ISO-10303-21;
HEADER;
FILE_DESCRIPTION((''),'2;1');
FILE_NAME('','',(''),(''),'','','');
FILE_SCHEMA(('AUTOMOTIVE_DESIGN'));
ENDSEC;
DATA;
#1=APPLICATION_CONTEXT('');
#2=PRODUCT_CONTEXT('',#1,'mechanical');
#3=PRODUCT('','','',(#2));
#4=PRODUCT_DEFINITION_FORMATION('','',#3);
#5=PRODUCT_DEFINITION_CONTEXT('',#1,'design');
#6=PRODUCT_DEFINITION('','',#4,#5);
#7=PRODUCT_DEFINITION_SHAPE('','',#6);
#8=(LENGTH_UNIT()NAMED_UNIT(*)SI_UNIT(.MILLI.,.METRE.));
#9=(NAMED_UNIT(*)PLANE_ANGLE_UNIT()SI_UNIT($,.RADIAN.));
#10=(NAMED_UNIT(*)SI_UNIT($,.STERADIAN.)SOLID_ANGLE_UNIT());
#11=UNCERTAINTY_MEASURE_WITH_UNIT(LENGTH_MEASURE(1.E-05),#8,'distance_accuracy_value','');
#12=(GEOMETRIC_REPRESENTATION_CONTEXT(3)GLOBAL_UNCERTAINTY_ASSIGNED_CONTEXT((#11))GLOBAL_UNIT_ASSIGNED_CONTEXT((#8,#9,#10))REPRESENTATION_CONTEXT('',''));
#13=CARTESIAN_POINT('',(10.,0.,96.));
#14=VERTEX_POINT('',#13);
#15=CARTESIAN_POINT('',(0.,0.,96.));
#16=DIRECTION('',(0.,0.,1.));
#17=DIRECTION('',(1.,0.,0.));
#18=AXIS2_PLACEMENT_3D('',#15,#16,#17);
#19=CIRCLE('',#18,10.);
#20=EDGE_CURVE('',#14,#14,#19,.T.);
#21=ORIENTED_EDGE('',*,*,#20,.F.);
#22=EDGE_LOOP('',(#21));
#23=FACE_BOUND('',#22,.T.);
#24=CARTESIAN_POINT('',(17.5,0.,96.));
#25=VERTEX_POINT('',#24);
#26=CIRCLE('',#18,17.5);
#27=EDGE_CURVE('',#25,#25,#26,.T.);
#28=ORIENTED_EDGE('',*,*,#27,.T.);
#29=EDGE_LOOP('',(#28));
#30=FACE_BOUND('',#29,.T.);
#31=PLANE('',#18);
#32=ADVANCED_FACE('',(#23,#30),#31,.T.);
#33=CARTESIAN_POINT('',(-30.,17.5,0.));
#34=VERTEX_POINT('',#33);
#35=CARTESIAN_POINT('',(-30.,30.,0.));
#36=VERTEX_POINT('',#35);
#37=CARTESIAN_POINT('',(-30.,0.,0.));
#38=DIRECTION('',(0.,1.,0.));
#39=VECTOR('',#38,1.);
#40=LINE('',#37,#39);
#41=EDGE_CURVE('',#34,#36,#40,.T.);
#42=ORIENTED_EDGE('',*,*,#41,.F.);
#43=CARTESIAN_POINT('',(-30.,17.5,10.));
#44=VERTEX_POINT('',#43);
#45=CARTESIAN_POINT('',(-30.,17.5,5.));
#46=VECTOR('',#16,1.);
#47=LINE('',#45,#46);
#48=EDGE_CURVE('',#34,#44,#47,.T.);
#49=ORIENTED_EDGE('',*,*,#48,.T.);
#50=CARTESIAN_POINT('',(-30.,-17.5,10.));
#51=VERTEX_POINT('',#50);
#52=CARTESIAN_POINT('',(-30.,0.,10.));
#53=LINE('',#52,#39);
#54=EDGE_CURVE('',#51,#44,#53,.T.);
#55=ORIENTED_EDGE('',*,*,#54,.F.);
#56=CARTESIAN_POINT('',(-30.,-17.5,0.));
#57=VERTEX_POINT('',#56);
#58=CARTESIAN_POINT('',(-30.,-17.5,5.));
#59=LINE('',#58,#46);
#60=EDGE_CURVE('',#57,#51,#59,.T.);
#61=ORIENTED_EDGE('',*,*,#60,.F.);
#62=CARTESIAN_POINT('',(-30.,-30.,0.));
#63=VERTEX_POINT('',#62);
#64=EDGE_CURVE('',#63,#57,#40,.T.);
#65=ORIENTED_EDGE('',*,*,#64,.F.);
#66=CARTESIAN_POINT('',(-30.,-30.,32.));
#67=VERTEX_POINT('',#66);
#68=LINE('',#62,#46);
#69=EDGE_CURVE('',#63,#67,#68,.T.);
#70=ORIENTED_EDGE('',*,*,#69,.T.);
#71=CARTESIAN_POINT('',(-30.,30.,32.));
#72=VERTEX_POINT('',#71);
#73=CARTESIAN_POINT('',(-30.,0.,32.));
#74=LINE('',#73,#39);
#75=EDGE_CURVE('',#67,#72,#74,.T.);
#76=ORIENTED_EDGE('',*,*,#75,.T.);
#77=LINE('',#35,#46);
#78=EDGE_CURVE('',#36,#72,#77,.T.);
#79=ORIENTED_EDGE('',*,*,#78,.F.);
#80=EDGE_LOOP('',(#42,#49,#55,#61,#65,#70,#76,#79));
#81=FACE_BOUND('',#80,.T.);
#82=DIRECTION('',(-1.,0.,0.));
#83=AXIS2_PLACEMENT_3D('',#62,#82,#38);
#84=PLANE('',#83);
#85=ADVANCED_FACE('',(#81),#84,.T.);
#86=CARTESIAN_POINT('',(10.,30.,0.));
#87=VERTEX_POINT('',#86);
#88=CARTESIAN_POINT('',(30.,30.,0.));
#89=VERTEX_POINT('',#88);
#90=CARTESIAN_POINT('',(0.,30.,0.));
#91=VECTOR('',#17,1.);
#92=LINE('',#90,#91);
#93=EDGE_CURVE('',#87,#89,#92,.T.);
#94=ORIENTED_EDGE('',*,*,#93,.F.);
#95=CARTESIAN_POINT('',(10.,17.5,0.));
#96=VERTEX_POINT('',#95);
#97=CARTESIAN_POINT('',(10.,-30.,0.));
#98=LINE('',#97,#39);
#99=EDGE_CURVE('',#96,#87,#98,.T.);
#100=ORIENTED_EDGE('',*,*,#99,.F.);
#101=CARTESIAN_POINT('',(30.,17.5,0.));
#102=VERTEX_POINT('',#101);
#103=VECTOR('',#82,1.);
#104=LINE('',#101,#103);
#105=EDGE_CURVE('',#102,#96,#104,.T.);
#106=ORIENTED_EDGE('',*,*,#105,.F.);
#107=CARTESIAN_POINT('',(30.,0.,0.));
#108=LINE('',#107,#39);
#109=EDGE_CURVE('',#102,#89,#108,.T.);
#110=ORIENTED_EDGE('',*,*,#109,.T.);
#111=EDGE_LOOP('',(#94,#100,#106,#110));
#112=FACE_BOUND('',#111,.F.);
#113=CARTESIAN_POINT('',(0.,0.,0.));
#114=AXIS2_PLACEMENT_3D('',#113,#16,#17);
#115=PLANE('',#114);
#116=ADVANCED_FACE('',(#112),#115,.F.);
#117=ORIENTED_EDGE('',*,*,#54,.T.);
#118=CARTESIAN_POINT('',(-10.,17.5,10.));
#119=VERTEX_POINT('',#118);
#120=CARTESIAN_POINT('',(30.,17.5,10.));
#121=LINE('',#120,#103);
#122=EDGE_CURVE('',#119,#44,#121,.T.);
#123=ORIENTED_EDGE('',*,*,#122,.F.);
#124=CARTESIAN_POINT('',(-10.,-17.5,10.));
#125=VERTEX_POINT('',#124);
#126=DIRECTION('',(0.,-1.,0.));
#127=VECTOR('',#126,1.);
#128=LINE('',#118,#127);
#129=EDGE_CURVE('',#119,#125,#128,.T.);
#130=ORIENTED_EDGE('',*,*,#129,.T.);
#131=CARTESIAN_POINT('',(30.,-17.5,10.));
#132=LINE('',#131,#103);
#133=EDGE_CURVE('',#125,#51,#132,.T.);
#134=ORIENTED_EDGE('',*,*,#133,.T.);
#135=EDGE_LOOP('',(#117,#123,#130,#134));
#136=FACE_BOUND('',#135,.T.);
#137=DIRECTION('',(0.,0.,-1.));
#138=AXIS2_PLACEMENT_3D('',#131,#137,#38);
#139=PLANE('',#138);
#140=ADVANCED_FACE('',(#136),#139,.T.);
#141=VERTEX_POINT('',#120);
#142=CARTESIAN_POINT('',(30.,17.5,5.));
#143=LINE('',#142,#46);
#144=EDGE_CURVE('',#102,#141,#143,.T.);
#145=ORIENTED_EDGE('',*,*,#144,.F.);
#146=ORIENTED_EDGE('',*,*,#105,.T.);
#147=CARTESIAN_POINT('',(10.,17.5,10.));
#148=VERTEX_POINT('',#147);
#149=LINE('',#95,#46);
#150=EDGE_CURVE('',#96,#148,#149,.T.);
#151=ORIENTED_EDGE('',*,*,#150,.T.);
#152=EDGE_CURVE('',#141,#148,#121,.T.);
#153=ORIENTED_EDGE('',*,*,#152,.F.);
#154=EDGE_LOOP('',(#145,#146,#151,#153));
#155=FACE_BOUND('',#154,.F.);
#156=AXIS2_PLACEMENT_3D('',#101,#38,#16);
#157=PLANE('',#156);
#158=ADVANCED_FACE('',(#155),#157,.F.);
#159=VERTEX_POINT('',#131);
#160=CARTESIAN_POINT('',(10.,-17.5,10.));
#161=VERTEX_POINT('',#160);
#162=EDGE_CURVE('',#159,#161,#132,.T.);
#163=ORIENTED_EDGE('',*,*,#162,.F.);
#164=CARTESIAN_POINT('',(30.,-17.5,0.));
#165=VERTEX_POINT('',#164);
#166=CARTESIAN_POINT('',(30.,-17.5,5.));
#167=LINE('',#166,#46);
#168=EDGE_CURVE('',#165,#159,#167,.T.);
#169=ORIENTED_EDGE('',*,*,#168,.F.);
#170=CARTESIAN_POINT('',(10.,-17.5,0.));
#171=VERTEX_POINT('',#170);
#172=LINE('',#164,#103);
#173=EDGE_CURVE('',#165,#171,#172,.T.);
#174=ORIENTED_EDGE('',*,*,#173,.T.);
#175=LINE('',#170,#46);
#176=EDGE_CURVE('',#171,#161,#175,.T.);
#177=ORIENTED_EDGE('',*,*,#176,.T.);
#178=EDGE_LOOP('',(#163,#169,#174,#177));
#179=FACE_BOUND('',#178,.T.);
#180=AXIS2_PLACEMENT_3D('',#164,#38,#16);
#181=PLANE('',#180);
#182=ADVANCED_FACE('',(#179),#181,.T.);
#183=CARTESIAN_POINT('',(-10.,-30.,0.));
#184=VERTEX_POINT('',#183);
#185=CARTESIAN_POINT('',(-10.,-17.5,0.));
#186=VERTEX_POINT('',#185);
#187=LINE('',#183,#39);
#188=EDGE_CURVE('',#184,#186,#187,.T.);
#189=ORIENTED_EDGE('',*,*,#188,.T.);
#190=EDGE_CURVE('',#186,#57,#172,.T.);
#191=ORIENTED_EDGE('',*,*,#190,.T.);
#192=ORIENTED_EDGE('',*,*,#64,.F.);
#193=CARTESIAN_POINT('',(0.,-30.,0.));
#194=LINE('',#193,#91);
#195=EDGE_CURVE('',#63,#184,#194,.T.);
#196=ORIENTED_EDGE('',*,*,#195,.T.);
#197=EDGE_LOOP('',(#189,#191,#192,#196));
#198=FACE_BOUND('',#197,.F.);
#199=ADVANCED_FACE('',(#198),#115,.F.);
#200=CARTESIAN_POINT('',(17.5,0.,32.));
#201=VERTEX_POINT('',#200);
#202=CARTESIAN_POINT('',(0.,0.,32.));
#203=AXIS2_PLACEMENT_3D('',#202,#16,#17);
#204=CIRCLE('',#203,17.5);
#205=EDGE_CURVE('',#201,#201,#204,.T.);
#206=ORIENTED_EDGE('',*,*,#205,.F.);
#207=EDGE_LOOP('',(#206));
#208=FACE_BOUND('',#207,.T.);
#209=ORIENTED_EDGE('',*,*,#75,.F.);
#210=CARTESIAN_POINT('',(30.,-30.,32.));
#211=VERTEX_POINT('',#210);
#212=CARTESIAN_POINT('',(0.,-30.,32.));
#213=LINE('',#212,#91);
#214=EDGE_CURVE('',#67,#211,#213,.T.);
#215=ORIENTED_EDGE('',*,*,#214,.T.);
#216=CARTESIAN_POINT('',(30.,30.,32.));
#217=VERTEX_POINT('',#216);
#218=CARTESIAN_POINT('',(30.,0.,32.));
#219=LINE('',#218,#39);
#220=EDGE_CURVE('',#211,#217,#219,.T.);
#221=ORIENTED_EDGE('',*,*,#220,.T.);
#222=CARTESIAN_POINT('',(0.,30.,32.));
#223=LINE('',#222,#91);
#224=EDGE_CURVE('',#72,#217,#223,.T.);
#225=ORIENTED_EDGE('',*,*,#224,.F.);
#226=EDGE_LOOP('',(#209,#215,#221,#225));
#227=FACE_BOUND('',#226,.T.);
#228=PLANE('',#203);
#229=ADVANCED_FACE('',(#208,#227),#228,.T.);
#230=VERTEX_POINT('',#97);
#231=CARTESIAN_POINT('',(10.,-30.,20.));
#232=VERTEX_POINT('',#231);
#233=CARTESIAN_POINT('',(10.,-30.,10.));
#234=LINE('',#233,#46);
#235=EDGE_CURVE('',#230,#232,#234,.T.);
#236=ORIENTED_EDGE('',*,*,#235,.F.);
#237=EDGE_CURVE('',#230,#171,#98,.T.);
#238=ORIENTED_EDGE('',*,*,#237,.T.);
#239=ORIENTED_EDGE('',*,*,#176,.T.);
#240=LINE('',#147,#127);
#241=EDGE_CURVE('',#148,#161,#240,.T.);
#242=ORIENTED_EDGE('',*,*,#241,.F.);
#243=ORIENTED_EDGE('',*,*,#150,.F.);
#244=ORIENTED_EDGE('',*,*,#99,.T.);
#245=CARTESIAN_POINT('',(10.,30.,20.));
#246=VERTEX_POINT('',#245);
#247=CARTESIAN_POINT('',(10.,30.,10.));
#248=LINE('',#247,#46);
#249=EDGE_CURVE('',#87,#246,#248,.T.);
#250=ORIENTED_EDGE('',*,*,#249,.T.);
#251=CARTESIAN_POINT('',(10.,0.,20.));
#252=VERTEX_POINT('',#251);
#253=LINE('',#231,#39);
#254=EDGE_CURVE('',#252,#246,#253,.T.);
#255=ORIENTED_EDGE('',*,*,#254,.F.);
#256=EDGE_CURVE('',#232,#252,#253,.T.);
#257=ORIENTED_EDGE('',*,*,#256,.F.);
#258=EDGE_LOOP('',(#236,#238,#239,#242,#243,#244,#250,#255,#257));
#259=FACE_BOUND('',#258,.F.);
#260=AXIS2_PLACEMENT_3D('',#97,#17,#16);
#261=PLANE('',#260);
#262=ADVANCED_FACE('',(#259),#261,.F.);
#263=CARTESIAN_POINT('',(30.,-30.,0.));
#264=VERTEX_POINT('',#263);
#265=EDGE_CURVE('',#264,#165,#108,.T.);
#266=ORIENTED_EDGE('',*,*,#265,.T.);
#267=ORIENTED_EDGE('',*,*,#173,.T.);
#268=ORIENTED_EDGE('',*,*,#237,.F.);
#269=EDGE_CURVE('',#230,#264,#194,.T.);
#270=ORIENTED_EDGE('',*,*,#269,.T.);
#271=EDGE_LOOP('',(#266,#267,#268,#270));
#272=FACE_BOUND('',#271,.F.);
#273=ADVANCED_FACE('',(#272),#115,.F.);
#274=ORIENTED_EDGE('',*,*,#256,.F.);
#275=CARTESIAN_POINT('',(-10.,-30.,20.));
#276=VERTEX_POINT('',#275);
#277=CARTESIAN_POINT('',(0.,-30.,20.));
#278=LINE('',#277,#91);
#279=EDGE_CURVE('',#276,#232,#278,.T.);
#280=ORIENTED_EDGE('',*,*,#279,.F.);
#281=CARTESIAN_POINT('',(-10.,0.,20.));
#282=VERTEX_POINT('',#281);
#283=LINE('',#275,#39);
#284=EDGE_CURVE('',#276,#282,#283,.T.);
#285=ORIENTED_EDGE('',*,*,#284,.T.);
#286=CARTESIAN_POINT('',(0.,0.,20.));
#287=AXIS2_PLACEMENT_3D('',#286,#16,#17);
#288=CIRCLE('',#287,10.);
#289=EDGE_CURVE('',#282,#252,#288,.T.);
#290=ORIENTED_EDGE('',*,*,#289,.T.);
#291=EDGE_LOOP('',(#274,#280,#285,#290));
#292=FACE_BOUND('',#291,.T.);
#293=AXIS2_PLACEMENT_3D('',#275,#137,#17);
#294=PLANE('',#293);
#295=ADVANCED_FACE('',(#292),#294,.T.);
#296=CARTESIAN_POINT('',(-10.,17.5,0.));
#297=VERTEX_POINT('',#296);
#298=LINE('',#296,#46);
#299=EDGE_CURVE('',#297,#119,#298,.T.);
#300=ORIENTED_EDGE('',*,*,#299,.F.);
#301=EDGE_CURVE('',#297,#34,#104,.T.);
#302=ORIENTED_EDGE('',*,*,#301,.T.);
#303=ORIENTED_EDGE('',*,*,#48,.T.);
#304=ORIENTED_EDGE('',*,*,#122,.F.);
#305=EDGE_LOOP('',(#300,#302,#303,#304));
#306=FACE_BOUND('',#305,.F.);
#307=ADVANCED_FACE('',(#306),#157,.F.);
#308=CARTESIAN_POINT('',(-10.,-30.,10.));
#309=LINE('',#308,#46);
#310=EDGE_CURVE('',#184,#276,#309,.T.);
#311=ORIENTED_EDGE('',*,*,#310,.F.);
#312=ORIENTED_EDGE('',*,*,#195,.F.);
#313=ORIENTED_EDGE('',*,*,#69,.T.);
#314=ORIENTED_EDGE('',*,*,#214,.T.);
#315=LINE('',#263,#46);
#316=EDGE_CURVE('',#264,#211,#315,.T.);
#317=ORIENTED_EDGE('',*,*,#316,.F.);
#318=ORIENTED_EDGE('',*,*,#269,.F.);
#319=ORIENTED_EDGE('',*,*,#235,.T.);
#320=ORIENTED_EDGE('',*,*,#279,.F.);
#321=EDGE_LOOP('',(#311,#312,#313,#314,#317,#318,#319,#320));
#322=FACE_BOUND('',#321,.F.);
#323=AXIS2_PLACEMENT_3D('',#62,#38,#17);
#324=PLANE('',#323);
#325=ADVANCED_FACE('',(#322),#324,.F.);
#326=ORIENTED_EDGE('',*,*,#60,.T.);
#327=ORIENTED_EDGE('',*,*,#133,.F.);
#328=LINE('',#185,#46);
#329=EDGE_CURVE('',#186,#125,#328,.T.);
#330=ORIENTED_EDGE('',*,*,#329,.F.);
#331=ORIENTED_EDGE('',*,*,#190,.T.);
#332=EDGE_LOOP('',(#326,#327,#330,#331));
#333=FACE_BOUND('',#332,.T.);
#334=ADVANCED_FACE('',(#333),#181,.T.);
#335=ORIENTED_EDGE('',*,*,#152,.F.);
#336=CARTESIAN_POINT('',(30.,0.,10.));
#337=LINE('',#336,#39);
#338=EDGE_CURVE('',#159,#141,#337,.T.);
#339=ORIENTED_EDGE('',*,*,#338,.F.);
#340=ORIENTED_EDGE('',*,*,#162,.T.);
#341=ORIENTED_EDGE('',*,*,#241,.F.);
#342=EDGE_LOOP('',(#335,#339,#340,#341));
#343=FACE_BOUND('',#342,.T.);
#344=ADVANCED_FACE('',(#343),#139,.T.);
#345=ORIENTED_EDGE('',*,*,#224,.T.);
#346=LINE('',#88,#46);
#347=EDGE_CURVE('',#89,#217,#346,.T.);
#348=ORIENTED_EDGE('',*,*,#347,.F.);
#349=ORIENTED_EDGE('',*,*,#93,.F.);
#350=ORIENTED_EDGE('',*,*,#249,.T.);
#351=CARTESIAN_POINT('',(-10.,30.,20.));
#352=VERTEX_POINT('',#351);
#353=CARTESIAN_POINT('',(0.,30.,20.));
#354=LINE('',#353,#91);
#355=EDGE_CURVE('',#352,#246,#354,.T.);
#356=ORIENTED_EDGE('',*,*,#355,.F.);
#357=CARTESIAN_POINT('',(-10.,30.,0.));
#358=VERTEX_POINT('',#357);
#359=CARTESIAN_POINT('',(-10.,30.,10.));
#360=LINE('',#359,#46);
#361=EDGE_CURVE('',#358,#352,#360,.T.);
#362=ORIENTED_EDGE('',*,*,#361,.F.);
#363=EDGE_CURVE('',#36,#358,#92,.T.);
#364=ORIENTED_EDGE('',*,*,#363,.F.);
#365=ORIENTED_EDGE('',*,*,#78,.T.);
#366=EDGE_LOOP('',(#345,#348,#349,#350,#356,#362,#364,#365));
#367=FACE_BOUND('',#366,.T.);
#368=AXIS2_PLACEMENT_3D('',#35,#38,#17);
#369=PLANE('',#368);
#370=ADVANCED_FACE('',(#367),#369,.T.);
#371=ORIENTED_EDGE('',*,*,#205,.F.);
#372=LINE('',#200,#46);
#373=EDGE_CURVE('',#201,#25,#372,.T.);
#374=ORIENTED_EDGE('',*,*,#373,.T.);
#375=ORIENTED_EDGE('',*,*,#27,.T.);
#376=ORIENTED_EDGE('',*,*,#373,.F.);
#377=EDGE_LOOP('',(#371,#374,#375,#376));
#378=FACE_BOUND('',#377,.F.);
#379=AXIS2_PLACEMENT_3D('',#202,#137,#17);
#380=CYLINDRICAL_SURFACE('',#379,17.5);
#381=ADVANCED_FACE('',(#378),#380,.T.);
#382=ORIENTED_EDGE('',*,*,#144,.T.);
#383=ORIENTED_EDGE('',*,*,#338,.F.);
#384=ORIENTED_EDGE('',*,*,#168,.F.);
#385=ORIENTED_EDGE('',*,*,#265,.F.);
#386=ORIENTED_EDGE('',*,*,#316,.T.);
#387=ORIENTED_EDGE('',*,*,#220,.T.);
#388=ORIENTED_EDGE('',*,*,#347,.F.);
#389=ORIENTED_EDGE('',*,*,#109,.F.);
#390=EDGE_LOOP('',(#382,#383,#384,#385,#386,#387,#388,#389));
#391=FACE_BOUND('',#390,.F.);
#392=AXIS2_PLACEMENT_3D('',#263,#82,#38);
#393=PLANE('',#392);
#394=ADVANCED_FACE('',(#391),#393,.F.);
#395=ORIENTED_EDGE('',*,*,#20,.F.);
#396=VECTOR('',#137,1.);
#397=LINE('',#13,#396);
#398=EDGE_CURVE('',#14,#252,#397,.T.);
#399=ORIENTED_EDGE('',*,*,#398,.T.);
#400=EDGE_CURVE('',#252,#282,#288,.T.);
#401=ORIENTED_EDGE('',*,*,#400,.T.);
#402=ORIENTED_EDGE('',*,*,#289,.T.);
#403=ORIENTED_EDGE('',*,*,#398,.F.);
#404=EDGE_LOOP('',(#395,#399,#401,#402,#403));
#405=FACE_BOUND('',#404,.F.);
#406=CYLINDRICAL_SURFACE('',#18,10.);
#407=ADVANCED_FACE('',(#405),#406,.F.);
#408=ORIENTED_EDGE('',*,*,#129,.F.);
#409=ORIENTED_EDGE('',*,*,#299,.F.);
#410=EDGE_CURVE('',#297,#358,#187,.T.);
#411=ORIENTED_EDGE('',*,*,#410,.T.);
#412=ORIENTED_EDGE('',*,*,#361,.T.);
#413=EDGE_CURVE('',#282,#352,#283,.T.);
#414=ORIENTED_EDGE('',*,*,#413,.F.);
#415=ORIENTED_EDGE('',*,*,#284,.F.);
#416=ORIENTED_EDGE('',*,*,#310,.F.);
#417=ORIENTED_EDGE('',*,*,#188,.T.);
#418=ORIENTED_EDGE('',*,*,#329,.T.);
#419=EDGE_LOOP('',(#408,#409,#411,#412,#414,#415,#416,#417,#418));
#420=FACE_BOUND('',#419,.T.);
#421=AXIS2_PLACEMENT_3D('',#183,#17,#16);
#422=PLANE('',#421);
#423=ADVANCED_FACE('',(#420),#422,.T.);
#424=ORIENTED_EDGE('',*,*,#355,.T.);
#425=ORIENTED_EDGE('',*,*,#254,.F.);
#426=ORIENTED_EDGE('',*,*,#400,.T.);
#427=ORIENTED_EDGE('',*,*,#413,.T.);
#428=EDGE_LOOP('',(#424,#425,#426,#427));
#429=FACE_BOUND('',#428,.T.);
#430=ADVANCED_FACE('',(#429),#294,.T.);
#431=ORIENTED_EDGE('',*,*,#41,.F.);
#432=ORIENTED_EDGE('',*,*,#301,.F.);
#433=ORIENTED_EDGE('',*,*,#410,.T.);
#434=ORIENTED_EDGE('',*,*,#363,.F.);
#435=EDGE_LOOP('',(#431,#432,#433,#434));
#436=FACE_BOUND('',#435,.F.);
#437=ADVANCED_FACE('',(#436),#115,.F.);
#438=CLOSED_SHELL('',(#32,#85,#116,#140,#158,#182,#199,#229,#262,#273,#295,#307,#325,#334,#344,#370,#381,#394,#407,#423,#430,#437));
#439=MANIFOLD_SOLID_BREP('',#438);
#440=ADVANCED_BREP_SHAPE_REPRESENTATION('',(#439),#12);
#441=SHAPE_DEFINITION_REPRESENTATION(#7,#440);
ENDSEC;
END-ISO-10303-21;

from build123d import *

# Parameters (mm, degrees)
F0_W     = 60
F0_H     = 60
F1_DEPTH = 32
F2_R     = 17.5
F3_DEPTH = 64
F4_W     = 20
F4_H     = 20
F5_DEPTH = 60
F6_W     = 35
F6_H     = 10
F7_DEPTH = 60
F8_R     = 10
F9_DEPTH = 96


with BuildPart() as f1:
    # F0 (on Top) → F1 (new body)
    with BuildSketch(Plane.XY):
        Rectangle(F0_W, F0_H)
    extrude(amount=F1_DEPTH)

    # F2 (on face) → F3 (join)
    with BuildSketch(Plane.XY.offset(32)):
        Circle(F2_R)
    extrude(amount=F3_DEPTH)

    # F4 (on face) → F5 (cut)
    with BuildSketch(Plane.XZ.offset(30)):
        with Locations((0, 10)):
            Rectangle(F4_W, F4_H)
    extrude(amount=-F5_DEPTH, mode=Mode.SUBTRACT)

    # F6 (on face) → F7 (cut)
    with BuildSketch(Plane.YZ.offset(30)):
        with Locations((0, 5)):
            Rectangle(F6_W, F6_H)
    extrude(amount=-F7_DEPTH, mode=Mode.SUBTRACT)

    # F8 (on face) → F9 (cut)
    with BuildSketch(Plane.XY.offset(96)):
        Circle(F8_R)
    extrude(amount=-F9_DEPTH, mode=Mode.SUBTRACT)


solid = f1.part
